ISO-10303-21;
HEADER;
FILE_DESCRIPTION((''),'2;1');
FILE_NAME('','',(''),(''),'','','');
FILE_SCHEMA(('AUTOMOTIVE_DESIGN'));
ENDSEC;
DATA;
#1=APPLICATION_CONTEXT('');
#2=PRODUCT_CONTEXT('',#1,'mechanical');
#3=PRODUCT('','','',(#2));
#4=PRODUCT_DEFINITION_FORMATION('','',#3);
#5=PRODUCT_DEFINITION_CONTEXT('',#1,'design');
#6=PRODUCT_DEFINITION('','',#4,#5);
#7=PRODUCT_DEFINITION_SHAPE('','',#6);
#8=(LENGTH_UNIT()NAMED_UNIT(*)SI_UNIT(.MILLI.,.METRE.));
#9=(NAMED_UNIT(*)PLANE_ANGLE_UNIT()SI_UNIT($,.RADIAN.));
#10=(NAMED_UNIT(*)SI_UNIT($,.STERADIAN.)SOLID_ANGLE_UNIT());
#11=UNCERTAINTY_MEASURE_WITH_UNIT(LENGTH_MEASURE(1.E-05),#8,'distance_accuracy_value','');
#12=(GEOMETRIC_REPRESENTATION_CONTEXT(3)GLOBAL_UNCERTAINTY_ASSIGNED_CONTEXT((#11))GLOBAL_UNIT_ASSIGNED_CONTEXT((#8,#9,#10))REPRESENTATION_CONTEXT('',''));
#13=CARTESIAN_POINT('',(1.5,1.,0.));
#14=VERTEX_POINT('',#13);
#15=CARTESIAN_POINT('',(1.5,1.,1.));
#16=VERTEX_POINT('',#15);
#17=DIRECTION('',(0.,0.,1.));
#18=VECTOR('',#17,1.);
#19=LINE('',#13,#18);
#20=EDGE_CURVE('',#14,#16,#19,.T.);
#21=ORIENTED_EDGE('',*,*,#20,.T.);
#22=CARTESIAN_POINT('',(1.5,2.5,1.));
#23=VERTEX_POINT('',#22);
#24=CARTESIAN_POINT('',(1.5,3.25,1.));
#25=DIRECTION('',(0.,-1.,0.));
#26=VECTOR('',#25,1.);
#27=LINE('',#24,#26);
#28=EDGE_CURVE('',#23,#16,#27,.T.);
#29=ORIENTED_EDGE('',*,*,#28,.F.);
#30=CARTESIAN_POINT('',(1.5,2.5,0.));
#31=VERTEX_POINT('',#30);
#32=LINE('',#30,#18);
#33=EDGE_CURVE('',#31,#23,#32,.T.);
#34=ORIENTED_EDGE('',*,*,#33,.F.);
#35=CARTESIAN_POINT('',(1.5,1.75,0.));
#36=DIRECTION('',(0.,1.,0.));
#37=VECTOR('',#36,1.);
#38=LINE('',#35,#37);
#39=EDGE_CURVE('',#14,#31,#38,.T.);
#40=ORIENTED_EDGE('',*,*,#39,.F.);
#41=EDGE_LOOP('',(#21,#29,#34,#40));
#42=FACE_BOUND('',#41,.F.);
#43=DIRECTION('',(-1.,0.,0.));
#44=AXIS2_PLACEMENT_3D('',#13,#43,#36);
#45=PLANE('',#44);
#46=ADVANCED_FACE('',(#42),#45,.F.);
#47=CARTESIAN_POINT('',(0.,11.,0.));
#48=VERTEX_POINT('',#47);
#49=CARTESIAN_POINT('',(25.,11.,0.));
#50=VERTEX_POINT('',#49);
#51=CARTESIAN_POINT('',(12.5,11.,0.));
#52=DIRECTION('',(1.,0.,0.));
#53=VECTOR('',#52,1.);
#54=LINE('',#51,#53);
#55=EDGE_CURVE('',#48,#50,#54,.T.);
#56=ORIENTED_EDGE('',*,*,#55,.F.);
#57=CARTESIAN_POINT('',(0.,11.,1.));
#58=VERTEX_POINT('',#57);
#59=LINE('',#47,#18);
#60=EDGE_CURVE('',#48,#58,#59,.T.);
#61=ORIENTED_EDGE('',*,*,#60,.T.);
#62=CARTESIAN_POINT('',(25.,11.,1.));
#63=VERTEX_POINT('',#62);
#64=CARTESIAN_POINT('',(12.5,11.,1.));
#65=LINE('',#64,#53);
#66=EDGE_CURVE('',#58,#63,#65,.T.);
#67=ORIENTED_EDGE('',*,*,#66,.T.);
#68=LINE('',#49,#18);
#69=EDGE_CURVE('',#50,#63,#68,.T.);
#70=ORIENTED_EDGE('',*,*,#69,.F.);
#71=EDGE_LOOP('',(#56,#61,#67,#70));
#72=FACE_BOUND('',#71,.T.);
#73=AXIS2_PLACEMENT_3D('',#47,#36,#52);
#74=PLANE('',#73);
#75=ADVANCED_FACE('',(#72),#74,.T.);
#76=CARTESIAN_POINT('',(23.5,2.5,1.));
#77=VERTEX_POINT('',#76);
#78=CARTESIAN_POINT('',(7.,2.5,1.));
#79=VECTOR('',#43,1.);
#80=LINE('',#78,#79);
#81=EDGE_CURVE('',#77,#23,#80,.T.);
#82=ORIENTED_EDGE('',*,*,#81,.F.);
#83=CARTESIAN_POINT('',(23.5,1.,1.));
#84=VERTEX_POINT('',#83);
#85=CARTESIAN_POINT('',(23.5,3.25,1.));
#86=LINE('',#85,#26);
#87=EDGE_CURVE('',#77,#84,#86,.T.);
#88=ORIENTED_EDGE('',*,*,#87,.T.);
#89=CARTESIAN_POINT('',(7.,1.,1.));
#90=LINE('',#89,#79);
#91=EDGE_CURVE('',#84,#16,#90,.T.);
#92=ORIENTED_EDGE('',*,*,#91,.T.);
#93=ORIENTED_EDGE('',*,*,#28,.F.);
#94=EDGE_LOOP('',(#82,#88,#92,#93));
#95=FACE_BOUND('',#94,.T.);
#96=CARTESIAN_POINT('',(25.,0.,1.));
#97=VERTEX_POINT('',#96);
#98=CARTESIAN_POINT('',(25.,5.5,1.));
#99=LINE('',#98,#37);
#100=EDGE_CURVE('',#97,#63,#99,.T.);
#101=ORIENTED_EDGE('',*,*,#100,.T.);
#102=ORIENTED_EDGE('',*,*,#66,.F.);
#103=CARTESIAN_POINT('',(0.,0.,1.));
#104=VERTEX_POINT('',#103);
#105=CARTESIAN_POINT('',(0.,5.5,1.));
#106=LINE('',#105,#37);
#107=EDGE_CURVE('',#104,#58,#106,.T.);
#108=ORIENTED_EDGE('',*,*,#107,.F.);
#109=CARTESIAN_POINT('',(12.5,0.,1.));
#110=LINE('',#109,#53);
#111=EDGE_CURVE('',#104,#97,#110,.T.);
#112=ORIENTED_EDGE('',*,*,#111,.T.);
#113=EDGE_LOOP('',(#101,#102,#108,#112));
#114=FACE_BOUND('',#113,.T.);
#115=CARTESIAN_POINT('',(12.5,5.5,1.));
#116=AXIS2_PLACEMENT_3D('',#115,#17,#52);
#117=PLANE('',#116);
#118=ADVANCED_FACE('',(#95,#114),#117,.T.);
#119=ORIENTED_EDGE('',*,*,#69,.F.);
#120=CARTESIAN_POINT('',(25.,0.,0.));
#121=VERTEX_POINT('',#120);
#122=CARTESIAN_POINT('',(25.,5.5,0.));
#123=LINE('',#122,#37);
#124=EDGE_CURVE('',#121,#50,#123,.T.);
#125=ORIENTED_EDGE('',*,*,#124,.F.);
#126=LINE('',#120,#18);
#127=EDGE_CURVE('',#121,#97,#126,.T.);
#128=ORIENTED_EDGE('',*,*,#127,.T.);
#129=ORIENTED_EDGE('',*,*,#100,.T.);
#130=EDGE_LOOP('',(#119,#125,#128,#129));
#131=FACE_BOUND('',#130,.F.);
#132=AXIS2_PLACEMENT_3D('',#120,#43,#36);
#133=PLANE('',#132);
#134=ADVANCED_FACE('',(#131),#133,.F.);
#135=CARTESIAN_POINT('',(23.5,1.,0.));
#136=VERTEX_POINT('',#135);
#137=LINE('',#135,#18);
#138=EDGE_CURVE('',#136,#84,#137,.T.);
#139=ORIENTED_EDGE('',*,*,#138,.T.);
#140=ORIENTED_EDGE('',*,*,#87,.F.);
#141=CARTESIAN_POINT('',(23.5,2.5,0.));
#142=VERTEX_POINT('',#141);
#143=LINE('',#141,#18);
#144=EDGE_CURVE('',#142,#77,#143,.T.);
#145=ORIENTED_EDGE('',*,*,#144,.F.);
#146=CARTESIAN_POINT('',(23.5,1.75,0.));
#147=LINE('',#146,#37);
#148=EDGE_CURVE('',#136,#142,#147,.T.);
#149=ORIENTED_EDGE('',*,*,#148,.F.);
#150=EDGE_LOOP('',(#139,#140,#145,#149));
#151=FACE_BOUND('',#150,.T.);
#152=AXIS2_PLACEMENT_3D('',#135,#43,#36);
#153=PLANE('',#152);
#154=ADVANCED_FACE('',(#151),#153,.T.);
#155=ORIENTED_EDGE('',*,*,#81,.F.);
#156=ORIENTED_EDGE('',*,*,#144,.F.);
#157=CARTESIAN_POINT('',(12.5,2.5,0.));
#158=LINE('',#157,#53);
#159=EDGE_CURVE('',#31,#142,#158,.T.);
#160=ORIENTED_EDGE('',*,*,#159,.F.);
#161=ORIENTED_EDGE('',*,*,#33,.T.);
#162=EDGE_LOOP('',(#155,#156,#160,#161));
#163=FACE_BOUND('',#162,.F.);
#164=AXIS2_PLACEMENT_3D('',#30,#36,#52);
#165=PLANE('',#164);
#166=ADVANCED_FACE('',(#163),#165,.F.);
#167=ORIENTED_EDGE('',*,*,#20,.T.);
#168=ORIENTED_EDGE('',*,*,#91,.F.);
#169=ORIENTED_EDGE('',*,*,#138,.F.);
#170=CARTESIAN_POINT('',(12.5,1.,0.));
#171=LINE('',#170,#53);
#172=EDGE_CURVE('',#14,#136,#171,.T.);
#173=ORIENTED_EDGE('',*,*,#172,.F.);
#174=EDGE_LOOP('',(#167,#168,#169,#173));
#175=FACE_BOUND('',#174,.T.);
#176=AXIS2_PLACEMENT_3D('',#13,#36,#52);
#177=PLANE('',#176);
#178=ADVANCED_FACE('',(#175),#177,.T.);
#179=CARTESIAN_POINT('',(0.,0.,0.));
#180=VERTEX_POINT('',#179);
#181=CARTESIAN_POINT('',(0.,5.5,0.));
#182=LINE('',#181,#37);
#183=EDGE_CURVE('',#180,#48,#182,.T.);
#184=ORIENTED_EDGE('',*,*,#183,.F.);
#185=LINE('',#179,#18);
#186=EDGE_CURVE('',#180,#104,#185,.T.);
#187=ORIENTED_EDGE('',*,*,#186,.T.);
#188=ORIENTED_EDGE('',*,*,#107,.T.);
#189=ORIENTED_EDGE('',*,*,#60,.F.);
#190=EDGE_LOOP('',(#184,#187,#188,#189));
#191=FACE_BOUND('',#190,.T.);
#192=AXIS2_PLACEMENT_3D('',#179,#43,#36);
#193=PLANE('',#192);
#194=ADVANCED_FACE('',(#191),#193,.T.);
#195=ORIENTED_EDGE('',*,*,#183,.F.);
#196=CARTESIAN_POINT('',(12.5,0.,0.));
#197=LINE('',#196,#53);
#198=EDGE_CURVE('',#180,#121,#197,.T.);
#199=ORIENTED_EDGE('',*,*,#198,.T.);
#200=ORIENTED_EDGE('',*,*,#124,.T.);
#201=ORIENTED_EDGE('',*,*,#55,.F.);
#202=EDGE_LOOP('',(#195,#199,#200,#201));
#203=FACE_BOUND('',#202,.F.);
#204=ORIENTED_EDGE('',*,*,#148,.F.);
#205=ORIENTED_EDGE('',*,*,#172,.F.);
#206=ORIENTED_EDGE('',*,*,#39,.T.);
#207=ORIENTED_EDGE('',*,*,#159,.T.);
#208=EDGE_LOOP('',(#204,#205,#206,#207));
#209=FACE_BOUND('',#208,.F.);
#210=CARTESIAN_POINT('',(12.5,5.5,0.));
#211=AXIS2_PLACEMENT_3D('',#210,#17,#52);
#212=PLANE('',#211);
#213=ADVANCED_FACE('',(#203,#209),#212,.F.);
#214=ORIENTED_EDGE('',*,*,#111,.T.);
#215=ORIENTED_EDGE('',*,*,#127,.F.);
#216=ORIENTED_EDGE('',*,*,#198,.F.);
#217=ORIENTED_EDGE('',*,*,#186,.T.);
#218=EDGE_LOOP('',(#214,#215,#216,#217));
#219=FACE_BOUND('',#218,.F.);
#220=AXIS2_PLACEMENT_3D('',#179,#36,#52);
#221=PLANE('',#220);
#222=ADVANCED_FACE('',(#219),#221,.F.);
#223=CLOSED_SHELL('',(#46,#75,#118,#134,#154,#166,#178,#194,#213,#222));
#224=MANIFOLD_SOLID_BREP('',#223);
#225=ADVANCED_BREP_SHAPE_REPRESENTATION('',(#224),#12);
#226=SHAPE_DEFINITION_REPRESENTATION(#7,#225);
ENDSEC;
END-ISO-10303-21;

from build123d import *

# Parameters (mm, degrees)
BOX123_W     = 22
BOX123_H     = 1.5
BOX123_DEPTH = 2
BOX122_W     = 25
BOX122_H     = 11
BOX122_DEPTH = 1


with BuildPart() as longledhole002:
    # Box123 → Box123 (new body)
    with BuildSketch(Plane(origin=(1.5, 1, 0), x_dir=(1, 0, 0), z_dir=(0, 0, 1))):
        with Locations((11, 0.75)):
            Rectangle(BOX123_W, BOX123_H)
    extrude(amount=BOX123_DEPTH)


with BuildPart() as cut019:
    # Box122 → Box122 (new body)
    with BuildSketch(Plane.XY):
        with Locations((12.5, 5.5)):
            Rectangle(BOX122_W, BOX122_H)
    extrude(amount=BOX122_DEPTH)

    # Cut019: cut LongLedHole002
    add(longledhole002.part, mode=Mode.SUBTRACT)


solid = cut019.part
